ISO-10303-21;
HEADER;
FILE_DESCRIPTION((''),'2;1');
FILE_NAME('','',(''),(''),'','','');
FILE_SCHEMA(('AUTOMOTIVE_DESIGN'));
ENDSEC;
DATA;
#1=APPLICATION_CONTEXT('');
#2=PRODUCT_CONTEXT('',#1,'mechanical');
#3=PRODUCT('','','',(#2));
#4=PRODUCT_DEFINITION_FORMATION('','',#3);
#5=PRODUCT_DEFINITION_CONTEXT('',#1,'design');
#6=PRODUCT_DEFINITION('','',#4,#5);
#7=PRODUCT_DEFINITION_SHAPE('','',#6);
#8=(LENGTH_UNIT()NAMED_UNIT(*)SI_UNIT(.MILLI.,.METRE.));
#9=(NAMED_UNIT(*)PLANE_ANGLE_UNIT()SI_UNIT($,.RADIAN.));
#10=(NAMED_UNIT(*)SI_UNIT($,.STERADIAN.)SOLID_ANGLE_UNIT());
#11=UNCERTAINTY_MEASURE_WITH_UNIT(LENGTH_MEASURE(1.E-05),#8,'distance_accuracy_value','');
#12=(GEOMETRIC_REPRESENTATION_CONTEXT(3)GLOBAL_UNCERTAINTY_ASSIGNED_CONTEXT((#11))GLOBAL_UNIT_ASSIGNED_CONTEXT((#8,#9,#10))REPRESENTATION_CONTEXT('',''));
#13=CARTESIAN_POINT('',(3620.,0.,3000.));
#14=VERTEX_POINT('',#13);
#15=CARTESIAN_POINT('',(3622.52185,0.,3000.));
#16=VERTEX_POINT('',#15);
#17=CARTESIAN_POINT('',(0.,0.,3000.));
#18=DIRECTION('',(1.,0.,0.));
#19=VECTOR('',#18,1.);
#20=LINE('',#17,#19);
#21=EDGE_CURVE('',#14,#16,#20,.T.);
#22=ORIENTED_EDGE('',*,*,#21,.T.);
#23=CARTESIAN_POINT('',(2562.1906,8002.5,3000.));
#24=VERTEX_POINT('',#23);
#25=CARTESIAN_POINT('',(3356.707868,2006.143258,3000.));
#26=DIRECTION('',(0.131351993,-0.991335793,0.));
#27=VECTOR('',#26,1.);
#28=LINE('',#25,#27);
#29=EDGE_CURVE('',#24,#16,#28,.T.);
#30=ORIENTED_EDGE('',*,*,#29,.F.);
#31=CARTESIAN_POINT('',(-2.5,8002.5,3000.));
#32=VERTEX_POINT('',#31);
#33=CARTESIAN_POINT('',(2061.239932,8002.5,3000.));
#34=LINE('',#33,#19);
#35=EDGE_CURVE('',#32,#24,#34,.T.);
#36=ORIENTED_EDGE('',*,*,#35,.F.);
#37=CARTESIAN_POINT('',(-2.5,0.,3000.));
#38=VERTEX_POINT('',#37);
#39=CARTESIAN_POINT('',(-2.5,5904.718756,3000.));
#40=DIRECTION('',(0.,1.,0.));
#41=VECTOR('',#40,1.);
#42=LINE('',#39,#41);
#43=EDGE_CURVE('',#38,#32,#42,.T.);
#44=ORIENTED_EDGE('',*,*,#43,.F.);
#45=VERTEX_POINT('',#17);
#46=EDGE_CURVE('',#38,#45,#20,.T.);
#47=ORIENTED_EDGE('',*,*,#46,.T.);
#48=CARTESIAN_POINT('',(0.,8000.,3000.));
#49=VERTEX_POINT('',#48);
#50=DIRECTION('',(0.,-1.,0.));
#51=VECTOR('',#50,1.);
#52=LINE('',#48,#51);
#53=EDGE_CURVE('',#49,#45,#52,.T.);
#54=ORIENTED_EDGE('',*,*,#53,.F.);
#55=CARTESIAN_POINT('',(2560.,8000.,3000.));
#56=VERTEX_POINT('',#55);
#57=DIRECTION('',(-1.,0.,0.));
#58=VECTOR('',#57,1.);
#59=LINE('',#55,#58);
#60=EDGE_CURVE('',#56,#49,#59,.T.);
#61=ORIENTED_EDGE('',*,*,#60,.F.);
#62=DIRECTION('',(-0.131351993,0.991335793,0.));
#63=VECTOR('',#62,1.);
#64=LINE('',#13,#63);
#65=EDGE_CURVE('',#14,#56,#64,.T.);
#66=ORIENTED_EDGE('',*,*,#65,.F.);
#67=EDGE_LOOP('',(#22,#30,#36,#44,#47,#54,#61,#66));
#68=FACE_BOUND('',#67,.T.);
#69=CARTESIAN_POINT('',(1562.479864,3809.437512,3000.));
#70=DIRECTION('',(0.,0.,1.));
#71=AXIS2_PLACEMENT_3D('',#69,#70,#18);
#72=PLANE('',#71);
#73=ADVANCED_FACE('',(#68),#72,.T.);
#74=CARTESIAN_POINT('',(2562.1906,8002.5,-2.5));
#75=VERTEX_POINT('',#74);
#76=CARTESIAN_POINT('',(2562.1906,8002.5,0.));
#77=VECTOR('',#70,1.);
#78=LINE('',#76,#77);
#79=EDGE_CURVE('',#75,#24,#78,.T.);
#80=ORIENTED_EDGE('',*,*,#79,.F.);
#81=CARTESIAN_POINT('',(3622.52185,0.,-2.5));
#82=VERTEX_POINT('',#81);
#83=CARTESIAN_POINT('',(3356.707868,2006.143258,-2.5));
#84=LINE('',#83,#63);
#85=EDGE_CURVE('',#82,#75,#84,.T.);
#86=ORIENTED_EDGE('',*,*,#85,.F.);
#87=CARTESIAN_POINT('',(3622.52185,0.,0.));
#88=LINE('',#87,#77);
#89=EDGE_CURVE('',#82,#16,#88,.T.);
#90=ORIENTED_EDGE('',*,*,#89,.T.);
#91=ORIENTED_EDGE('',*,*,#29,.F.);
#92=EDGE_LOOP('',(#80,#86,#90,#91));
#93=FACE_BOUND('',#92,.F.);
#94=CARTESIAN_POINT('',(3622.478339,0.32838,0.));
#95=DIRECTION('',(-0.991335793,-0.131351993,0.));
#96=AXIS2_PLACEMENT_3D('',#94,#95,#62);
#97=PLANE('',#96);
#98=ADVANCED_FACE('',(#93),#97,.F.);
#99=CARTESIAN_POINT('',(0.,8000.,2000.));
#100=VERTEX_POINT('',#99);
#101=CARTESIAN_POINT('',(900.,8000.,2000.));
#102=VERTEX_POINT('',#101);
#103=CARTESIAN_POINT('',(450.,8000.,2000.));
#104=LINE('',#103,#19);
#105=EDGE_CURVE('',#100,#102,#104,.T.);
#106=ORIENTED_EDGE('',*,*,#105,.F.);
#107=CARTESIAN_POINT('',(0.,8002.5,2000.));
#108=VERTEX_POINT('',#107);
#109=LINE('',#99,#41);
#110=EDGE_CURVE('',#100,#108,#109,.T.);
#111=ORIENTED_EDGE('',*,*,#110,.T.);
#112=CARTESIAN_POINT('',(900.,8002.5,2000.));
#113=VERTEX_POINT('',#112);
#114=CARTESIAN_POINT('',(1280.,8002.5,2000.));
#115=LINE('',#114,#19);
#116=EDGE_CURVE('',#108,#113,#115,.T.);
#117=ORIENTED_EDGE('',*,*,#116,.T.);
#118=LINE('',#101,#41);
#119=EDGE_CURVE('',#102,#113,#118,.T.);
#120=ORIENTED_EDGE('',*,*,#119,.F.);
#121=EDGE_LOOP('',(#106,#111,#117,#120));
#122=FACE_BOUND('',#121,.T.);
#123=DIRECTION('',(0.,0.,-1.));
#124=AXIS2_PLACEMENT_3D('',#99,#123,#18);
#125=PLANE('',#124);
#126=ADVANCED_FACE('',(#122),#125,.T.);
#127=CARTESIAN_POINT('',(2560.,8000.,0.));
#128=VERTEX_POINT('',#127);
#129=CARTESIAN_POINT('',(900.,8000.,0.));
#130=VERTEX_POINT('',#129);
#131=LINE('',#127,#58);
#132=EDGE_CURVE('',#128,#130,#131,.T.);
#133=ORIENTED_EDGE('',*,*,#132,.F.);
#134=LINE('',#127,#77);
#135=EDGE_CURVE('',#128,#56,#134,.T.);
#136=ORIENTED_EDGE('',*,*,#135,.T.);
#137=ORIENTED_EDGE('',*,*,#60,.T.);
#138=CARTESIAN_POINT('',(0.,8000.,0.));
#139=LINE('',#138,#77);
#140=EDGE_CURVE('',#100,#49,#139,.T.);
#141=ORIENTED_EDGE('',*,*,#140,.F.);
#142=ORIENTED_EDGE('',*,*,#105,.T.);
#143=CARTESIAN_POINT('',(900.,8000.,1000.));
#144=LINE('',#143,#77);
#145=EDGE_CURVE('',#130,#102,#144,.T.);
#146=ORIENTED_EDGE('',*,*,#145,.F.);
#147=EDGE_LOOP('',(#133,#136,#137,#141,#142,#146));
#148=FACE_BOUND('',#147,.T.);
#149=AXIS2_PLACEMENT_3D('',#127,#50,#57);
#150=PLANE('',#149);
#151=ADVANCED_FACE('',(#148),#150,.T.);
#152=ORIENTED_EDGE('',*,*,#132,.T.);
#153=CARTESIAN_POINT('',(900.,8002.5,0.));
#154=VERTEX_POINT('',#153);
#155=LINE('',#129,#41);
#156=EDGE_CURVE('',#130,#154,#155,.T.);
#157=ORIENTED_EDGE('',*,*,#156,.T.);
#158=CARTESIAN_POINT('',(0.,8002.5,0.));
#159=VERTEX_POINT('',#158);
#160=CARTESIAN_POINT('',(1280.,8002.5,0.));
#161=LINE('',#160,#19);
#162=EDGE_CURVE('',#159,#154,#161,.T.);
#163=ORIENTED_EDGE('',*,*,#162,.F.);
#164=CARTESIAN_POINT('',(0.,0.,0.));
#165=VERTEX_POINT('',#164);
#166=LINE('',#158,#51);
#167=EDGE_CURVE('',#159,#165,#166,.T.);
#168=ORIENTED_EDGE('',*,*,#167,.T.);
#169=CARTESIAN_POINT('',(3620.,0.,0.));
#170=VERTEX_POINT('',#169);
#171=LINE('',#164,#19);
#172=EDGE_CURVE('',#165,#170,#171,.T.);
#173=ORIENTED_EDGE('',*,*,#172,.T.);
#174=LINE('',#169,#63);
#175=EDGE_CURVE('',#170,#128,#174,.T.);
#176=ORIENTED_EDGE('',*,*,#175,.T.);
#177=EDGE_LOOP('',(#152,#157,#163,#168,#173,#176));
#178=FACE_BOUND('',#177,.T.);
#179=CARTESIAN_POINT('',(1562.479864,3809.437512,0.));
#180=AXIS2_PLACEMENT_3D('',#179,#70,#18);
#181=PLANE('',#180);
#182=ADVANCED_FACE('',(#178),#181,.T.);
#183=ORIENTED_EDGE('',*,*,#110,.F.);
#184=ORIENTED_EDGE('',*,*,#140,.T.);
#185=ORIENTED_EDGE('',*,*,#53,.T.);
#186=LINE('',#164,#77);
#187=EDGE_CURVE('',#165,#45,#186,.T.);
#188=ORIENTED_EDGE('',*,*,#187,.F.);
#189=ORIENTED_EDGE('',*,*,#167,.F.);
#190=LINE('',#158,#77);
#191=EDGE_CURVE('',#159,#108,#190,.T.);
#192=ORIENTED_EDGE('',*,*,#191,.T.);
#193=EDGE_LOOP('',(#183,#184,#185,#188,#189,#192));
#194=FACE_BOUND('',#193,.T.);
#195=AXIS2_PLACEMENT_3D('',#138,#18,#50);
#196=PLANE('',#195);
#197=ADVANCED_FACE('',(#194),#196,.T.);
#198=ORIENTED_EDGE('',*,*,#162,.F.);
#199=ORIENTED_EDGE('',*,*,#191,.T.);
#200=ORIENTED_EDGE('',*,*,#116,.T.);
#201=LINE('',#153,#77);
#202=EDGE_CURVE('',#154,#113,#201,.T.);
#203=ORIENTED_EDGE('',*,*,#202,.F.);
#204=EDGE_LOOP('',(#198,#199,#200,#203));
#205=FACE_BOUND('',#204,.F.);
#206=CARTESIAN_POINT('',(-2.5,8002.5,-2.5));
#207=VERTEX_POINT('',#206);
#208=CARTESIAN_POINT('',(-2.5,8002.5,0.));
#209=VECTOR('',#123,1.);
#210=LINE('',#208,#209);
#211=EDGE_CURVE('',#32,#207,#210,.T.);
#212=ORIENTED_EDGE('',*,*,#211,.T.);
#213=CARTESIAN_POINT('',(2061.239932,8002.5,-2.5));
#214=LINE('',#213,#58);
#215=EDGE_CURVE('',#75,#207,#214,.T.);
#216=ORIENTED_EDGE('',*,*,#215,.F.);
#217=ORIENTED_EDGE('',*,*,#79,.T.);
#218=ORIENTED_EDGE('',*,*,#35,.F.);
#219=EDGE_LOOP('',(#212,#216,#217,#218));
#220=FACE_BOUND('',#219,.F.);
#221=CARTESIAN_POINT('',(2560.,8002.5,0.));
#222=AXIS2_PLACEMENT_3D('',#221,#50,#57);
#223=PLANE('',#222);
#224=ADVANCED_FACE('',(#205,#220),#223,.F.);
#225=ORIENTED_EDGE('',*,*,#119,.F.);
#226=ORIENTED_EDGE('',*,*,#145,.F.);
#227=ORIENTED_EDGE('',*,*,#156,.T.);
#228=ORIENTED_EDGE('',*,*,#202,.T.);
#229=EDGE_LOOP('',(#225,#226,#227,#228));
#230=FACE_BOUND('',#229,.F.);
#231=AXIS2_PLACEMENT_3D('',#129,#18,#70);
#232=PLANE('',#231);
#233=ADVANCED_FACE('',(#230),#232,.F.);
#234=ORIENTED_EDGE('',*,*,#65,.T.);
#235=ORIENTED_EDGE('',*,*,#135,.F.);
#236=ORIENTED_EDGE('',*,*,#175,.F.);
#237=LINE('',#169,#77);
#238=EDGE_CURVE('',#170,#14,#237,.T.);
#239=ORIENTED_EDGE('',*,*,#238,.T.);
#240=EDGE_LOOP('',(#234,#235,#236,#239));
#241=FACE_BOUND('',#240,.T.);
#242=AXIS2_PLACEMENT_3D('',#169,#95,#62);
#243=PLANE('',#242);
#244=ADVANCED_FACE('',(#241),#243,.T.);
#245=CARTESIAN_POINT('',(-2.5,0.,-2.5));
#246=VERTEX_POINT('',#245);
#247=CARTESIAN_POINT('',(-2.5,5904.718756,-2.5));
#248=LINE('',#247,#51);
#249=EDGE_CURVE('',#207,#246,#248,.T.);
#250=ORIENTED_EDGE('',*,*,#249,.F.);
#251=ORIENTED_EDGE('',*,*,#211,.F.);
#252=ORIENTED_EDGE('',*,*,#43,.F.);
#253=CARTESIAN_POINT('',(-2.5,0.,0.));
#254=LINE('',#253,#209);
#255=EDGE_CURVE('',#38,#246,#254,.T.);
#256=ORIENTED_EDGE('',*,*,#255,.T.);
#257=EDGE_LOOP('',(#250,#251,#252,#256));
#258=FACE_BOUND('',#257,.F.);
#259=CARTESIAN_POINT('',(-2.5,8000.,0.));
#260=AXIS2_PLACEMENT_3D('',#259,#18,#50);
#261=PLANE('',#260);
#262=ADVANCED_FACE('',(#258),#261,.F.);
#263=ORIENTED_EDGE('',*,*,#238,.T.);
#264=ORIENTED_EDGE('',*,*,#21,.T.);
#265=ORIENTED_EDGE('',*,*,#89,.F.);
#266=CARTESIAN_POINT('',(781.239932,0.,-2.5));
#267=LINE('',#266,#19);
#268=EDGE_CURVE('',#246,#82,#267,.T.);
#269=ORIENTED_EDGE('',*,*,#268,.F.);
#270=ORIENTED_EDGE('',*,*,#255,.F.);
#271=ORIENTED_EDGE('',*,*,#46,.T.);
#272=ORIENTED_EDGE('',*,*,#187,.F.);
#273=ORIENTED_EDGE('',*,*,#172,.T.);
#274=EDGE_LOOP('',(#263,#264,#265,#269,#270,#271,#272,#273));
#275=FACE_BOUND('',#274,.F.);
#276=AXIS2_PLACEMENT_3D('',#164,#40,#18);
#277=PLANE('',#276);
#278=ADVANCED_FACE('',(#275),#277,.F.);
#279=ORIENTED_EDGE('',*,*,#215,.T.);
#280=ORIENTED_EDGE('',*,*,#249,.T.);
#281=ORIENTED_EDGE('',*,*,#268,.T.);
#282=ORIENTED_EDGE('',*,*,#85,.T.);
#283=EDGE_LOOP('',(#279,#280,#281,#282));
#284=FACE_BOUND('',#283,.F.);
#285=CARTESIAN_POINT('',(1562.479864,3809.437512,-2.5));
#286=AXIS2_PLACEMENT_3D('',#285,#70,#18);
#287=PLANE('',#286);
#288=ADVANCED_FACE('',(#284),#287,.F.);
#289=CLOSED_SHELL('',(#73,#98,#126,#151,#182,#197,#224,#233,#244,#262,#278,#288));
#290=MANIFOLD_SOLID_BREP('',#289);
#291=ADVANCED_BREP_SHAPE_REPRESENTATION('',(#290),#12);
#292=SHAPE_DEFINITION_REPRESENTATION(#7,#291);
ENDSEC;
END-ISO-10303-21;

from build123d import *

# Parameters (mm, degrees)
F1_DEPTH = 3000
F2_T     = 2.5
F3_W     = 900
F3_H     = 2000
F4_DEPTH = 25


with BuildPart() as f1:
    # F0 (on Top) → F1 (new body)
    with BuildSketch(Plane.XY):
        Polygon((0, 8000), (0, 0), (3620, 0), (2560, 8000), align=None)
    extrude(amount=F1_DEPTH)

    # F2
    f2_openings = [f1.faces().sort_by_distance(p)[0] for p in [
        (1560.151025, 3771.305286, 3000),
        (1810, 0, 1500),
    ]]
    offset(amount=F2_T, openings=f2_openings, kind=Kind.INTERSECTION)

    # F3 (on face) → F4 (cut)
    with BuildSketch(Plane.XZ.offset(-8000)):
        with Locations((450, 1000)):
            Rectangle(F3_W, F3_H)
    extrude(amount=-F4_DEPTH, mode=Mode.SUBTRACT)


solid = f1.part
